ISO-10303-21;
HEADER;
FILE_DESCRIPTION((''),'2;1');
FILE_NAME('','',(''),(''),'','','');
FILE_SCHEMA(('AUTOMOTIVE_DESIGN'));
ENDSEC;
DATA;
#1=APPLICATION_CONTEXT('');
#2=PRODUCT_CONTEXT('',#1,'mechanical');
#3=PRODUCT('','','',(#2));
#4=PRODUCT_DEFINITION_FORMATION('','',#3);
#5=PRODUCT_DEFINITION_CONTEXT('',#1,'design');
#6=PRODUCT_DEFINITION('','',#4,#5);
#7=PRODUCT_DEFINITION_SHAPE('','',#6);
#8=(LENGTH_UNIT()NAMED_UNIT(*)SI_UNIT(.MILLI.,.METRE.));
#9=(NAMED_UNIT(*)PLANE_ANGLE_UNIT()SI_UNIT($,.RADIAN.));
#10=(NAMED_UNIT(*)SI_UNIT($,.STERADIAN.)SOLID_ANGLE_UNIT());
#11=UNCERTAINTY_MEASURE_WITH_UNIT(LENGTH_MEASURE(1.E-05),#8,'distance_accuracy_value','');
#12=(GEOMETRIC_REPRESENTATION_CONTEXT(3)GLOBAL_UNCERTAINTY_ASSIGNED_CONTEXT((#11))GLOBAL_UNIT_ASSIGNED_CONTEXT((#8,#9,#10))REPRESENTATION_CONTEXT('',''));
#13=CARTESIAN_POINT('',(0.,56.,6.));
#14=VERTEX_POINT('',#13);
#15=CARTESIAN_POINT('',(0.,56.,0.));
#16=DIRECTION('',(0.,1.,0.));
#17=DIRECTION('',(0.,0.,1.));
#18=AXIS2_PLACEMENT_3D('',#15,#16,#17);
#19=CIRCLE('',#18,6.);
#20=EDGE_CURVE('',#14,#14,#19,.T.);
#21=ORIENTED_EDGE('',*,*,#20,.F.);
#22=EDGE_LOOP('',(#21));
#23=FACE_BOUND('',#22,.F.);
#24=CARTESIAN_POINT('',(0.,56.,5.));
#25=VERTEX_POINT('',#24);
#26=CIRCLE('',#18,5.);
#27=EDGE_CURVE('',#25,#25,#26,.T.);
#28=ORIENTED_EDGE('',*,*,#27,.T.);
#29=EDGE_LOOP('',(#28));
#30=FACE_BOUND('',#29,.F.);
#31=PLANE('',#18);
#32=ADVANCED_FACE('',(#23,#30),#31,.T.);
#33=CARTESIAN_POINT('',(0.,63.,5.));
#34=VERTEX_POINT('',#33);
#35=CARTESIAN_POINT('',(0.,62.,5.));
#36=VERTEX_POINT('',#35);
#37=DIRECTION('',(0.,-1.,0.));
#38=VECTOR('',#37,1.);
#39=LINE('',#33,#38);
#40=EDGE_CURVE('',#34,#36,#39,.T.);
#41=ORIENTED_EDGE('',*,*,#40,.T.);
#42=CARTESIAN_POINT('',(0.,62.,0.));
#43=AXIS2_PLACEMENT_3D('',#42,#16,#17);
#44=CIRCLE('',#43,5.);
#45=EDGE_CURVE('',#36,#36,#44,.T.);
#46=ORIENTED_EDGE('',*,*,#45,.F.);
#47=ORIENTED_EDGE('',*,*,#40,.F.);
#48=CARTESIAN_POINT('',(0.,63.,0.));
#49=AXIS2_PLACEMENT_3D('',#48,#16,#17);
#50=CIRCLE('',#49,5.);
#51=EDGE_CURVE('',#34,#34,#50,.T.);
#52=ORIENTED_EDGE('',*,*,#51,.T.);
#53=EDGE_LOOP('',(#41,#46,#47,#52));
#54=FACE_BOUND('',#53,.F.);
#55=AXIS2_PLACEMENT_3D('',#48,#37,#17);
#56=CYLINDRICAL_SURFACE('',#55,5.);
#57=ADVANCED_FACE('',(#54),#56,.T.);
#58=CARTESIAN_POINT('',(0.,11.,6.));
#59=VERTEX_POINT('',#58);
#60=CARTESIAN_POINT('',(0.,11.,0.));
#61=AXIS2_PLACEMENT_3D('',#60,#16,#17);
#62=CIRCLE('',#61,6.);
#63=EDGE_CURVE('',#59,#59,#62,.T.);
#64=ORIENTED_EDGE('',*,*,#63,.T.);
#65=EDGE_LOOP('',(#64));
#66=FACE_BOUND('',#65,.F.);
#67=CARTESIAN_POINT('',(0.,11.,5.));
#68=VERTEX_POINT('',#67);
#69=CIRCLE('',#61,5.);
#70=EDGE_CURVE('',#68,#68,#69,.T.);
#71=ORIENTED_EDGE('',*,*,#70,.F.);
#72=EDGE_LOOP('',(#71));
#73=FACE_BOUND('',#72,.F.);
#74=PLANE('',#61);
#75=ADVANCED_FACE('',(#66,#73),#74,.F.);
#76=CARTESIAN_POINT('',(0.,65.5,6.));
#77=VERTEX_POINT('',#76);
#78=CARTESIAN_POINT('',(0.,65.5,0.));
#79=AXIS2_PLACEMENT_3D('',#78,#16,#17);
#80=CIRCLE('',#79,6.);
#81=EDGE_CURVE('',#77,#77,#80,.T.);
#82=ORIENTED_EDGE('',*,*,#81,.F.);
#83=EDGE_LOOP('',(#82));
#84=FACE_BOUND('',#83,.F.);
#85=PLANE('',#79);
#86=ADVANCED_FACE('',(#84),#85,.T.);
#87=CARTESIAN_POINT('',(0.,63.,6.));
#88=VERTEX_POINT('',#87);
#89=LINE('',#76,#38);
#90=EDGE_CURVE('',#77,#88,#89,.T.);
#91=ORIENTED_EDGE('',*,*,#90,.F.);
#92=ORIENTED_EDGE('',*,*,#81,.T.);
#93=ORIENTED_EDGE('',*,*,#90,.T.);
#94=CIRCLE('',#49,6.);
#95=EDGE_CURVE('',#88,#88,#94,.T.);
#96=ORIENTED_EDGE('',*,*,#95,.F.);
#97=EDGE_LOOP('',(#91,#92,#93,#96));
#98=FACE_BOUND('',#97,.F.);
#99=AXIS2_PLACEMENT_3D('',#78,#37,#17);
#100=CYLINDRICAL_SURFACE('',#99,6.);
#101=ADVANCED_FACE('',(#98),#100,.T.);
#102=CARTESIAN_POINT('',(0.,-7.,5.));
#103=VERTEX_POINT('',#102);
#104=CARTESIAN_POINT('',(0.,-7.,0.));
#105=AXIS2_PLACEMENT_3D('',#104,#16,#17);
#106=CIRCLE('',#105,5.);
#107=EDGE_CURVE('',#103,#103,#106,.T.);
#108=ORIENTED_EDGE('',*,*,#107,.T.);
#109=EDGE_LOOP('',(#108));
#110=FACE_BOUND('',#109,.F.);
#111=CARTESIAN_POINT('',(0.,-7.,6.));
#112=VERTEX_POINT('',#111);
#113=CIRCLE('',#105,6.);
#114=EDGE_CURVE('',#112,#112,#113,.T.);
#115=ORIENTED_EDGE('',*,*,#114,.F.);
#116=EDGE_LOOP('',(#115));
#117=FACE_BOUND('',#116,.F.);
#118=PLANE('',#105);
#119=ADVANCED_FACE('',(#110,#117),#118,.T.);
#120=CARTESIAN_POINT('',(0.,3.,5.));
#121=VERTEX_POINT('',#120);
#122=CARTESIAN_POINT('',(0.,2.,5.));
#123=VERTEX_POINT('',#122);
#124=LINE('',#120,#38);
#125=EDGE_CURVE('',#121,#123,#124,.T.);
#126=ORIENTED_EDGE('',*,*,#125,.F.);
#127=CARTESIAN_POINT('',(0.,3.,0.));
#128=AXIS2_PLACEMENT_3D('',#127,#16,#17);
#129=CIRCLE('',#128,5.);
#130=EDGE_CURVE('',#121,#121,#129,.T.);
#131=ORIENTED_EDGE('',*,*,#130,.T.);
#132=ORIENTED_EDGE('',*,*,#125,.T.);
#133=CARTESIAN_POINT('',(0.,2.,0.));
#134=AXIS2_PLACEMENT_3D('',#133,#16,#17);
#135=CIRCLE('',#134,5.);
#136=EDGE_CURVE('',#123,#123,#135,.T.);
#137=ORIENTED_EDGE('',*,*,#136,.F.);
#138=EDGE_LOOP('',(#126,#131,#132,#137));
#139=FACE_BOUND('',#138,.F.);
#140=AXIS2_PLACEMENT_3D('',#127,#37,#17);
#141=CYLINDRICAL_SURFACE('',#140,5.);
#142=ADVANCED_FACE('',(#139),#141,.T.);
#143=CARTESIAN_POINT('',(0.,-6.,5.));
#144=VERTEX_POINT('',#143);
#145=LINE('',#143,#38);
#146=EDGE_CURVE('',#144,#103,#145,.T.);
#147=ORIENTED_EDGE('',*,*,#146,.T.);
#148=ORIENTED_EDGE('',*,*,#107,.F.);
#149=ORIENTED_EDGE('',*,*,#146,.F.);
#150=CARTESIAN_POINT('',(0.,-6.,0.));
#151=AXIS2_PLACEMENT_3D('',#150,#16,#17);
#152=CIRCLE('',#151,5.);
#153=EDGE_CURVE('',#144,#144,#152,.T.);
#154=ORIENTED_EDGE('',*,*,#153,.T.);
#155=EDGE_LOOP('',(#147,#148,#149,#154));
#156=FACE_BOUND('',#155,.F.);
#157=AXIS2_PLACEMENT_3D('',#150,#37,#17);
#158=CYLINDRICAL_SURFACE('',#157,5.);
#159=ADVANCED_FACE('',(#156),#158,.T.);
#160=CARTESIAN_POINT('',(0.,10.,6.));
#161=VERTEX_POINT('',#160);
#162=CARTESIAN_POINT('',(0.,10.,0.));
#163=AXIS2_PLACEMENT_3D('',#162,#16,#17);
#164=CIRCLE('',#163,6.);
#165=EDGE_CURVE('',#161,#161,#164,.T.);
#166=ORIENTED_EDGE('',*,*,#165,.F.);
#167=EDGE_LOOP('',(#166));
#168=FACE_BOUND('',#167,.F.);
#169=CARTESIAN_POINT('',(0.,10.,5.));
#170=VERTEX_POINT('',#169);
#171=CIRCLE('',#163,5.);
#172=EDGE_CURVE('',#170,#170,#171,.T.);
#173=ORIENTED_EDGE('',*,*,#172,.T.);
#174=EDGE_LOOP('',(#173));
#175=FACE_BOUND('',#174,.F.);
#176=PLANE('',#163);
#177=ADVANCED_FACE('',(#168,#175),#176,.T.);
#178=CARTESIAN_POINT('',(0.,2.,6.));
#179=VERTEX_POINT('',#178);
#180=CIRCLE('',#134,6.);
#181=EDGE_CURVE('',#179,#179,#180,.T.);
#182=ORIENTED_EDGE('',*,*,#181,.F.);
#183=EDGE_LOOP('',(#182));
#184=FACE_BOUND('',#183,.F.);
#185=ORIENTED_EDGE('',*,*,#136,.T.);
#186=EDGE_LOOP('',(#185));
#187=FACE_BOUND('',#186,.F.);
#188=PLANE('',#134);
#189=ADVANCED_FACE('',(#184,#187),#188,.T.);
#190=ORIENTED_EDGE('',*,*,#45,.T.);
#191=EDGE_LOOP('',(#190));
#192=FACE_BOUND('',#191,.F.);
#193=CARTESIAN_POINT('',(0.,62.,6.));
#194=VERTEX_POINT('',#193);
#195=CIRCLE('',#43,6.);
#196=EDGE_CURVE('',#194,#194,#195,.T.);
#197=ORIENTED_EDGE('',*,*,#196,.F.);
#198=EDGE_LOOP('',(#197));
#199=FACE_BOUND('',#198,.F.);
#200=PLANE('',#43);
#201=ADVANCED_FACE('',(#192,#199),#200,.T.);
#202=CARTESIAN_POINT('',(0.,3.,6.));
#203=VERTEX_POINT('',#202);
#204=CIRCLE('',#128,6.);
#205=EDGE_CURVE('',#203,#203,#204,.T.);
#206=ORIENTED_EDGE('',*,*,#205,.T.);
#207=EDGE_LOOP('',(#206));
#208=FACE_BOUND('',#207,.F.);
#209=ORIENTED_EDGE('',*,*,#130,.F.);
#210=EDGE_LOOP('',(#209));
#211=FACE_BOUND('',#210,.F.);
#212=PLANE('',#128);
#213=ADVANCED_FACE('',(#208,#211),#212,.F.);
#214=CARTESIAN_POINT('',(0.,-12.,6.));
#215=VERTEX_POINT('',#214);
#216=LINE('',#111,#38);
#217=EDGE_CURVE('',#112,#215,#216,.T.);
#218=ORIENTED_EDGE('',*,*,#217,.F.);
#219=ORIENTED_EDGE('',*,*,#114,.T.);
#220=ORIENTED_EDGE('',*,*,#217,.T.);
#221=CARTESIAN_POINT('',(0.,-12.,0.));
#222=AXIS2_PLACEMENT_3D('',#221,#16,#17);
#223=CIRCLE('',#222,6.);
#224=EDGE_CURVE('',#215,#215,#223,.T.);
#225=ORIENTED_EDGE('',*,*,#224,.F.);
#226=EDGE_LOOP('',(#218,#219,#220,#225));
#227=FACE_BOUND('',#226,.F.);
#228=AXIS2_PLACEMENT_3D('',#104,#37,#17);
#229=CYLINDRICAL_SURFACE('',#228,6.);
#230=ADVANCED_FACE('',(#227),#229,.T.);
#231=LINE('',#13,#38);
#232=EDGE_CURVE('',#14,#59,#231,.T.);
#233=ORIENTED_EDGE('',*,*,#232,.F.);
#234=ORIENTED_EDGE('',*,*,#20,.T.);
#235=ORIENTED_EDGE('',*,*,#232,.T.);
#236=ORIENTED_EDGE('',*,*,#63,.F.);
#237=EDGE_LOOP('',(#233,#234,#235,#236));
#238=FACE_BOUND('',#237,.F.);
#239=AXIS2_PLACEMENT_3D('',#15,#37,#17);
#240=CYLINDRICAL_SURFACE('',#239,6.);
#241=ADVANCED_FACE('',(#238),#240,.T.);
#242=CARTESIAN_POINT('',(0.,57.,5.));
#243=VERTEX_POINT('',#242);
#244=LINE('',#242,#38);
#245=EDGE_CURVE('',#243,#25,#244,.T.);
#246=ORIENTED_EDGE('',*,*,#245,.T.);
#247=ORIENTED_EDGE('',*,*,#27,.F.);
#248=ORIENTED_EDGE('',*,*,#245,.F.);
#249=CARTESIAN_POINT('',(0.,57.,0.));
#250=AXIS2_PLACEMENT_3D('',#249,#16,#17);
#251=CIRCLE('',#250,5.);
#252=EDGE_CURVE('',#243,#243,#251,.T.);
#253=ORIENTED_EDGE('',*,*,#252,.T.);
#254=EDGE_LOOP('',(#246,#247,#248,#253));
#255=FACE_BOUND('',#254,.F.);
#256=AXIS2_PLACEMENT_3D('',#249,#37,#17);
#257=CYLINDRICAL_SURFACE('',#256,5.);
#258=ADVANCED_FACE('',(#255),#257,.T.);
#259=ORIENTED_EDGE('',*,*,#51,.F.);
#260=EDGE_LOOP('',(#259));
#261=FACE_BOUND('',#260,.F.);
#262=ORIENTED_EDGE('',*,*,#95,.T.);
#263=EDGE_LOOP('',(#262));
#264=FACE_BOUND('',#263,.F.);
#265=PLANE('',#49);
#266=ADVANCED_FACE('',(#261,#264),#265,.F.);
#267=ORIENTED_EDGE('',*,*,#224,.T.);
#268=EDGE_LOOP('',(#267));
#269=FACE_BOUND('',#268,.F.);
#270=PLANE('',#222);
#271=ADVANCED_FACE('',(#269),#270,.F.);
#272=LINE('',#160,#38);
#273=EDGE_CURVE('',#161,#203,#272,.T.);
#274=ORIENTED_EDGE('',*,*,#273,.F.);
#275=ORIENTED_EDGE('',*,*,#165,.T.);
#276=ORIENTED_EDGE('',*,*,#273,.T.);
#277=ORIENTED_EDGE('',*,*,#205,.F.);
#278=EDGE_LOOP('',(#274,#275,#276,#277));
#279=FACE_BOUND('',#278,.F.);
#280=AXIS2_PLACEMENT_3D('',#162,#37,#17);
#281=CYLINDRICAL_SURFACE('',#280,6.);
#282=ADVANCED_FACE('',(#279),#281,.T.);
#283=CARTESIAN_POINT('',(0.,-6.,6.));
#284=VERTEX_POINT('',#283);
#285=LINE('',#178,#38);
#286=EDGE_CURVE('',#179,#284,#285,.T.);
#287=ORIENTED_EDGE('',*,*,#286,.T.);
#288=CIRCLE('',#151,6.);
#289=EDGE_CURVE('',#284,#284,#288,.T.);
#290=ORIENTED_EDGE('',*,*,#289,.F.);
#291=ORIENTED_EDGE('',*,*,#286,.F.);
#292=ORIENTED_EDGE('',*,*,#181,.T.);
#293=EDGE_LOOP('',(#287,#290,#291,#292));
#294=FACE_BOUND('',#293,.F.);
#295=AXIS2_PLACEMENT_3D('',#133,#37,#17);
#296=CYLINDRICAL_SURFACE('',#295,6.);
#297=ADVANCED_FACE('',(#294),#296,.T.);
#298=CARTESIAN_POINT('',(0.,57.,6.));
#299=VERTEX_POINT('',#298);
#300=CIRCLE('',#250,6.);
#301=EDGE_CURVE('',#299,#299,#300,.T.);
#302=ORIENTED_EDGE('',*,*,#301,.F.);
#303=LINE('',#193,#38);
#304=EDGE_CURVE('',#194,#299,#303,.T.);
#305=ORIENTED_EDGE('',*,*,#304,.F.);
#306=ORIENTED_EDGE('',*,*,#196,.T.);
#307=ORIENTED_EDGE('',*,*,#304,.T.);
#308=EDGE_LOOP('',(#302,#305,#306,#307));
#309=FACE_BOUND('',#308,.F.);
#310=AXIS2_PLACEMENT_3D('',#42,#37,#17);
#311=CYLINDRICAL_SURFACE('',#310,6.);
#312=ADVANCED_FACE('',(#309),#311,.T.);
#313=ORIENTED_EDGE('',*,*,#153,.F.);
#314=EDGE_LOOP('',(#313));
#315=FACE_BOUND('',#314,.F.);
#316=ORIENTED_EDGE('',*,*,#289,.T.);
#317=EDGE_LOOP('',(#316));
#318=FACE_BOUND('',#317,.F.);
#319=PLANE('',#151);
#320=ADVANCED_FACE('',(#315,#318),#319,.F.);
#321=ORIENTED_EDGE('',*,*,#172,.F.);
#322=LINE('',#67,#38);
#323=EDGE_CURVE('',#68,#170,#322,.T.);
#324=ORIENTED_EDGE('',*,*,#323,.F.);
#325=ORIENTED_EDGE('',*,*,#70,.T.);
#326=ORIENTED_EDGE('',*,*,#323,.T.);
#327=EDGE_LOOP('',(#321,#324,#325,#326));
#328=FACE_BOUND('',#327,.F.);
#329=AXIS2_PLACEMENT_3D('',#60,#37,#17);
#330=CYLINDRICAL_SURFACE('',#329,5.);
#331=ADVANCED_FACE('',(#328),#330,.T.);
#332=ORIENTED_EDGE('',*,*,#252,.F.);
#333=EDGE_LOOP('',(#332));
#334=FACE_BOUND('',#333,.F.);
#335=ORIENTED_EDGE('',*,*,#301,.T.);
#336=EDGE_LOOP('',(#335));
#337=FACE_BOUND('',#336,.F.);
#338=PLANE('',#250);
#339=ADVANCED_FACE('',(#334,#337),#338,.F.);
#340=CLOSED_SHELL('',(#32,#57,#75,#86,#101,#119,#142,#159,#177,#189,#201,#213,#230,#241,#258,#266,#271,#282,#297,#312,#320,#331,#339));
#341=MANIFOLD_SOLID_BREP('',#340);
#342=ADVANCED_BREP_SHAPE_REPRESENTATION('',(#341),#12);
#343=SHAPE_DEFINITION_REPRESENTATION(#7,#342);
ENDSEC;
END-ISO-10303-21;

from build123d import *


with BuildPart() as f1:
    # F0 (on Right) → F1 (revolve)
    with BuildSketch(Plane.YZ):
        Polygon((2, 6), (0, 6), (-6, 6), (-6, 5), (-7, 5), (-7, 6), (-12, 6), (-12, 0), (0, 0), (65.5, 0), (65.5, 6), (63, 6), (63, 5), (62, 5), (62, 6), (57, 6), (57, 5), (56, 5), (56, 6), (30, 6), (29, 6), (11, 6), (11, 5), (10, 5), (10, 6), (3, 6), (3, 5), (2, 5), align=None)
    revolve(axis=Axis((0, 32.75, 0), (0, 1, 0)))


solid = f1.part
